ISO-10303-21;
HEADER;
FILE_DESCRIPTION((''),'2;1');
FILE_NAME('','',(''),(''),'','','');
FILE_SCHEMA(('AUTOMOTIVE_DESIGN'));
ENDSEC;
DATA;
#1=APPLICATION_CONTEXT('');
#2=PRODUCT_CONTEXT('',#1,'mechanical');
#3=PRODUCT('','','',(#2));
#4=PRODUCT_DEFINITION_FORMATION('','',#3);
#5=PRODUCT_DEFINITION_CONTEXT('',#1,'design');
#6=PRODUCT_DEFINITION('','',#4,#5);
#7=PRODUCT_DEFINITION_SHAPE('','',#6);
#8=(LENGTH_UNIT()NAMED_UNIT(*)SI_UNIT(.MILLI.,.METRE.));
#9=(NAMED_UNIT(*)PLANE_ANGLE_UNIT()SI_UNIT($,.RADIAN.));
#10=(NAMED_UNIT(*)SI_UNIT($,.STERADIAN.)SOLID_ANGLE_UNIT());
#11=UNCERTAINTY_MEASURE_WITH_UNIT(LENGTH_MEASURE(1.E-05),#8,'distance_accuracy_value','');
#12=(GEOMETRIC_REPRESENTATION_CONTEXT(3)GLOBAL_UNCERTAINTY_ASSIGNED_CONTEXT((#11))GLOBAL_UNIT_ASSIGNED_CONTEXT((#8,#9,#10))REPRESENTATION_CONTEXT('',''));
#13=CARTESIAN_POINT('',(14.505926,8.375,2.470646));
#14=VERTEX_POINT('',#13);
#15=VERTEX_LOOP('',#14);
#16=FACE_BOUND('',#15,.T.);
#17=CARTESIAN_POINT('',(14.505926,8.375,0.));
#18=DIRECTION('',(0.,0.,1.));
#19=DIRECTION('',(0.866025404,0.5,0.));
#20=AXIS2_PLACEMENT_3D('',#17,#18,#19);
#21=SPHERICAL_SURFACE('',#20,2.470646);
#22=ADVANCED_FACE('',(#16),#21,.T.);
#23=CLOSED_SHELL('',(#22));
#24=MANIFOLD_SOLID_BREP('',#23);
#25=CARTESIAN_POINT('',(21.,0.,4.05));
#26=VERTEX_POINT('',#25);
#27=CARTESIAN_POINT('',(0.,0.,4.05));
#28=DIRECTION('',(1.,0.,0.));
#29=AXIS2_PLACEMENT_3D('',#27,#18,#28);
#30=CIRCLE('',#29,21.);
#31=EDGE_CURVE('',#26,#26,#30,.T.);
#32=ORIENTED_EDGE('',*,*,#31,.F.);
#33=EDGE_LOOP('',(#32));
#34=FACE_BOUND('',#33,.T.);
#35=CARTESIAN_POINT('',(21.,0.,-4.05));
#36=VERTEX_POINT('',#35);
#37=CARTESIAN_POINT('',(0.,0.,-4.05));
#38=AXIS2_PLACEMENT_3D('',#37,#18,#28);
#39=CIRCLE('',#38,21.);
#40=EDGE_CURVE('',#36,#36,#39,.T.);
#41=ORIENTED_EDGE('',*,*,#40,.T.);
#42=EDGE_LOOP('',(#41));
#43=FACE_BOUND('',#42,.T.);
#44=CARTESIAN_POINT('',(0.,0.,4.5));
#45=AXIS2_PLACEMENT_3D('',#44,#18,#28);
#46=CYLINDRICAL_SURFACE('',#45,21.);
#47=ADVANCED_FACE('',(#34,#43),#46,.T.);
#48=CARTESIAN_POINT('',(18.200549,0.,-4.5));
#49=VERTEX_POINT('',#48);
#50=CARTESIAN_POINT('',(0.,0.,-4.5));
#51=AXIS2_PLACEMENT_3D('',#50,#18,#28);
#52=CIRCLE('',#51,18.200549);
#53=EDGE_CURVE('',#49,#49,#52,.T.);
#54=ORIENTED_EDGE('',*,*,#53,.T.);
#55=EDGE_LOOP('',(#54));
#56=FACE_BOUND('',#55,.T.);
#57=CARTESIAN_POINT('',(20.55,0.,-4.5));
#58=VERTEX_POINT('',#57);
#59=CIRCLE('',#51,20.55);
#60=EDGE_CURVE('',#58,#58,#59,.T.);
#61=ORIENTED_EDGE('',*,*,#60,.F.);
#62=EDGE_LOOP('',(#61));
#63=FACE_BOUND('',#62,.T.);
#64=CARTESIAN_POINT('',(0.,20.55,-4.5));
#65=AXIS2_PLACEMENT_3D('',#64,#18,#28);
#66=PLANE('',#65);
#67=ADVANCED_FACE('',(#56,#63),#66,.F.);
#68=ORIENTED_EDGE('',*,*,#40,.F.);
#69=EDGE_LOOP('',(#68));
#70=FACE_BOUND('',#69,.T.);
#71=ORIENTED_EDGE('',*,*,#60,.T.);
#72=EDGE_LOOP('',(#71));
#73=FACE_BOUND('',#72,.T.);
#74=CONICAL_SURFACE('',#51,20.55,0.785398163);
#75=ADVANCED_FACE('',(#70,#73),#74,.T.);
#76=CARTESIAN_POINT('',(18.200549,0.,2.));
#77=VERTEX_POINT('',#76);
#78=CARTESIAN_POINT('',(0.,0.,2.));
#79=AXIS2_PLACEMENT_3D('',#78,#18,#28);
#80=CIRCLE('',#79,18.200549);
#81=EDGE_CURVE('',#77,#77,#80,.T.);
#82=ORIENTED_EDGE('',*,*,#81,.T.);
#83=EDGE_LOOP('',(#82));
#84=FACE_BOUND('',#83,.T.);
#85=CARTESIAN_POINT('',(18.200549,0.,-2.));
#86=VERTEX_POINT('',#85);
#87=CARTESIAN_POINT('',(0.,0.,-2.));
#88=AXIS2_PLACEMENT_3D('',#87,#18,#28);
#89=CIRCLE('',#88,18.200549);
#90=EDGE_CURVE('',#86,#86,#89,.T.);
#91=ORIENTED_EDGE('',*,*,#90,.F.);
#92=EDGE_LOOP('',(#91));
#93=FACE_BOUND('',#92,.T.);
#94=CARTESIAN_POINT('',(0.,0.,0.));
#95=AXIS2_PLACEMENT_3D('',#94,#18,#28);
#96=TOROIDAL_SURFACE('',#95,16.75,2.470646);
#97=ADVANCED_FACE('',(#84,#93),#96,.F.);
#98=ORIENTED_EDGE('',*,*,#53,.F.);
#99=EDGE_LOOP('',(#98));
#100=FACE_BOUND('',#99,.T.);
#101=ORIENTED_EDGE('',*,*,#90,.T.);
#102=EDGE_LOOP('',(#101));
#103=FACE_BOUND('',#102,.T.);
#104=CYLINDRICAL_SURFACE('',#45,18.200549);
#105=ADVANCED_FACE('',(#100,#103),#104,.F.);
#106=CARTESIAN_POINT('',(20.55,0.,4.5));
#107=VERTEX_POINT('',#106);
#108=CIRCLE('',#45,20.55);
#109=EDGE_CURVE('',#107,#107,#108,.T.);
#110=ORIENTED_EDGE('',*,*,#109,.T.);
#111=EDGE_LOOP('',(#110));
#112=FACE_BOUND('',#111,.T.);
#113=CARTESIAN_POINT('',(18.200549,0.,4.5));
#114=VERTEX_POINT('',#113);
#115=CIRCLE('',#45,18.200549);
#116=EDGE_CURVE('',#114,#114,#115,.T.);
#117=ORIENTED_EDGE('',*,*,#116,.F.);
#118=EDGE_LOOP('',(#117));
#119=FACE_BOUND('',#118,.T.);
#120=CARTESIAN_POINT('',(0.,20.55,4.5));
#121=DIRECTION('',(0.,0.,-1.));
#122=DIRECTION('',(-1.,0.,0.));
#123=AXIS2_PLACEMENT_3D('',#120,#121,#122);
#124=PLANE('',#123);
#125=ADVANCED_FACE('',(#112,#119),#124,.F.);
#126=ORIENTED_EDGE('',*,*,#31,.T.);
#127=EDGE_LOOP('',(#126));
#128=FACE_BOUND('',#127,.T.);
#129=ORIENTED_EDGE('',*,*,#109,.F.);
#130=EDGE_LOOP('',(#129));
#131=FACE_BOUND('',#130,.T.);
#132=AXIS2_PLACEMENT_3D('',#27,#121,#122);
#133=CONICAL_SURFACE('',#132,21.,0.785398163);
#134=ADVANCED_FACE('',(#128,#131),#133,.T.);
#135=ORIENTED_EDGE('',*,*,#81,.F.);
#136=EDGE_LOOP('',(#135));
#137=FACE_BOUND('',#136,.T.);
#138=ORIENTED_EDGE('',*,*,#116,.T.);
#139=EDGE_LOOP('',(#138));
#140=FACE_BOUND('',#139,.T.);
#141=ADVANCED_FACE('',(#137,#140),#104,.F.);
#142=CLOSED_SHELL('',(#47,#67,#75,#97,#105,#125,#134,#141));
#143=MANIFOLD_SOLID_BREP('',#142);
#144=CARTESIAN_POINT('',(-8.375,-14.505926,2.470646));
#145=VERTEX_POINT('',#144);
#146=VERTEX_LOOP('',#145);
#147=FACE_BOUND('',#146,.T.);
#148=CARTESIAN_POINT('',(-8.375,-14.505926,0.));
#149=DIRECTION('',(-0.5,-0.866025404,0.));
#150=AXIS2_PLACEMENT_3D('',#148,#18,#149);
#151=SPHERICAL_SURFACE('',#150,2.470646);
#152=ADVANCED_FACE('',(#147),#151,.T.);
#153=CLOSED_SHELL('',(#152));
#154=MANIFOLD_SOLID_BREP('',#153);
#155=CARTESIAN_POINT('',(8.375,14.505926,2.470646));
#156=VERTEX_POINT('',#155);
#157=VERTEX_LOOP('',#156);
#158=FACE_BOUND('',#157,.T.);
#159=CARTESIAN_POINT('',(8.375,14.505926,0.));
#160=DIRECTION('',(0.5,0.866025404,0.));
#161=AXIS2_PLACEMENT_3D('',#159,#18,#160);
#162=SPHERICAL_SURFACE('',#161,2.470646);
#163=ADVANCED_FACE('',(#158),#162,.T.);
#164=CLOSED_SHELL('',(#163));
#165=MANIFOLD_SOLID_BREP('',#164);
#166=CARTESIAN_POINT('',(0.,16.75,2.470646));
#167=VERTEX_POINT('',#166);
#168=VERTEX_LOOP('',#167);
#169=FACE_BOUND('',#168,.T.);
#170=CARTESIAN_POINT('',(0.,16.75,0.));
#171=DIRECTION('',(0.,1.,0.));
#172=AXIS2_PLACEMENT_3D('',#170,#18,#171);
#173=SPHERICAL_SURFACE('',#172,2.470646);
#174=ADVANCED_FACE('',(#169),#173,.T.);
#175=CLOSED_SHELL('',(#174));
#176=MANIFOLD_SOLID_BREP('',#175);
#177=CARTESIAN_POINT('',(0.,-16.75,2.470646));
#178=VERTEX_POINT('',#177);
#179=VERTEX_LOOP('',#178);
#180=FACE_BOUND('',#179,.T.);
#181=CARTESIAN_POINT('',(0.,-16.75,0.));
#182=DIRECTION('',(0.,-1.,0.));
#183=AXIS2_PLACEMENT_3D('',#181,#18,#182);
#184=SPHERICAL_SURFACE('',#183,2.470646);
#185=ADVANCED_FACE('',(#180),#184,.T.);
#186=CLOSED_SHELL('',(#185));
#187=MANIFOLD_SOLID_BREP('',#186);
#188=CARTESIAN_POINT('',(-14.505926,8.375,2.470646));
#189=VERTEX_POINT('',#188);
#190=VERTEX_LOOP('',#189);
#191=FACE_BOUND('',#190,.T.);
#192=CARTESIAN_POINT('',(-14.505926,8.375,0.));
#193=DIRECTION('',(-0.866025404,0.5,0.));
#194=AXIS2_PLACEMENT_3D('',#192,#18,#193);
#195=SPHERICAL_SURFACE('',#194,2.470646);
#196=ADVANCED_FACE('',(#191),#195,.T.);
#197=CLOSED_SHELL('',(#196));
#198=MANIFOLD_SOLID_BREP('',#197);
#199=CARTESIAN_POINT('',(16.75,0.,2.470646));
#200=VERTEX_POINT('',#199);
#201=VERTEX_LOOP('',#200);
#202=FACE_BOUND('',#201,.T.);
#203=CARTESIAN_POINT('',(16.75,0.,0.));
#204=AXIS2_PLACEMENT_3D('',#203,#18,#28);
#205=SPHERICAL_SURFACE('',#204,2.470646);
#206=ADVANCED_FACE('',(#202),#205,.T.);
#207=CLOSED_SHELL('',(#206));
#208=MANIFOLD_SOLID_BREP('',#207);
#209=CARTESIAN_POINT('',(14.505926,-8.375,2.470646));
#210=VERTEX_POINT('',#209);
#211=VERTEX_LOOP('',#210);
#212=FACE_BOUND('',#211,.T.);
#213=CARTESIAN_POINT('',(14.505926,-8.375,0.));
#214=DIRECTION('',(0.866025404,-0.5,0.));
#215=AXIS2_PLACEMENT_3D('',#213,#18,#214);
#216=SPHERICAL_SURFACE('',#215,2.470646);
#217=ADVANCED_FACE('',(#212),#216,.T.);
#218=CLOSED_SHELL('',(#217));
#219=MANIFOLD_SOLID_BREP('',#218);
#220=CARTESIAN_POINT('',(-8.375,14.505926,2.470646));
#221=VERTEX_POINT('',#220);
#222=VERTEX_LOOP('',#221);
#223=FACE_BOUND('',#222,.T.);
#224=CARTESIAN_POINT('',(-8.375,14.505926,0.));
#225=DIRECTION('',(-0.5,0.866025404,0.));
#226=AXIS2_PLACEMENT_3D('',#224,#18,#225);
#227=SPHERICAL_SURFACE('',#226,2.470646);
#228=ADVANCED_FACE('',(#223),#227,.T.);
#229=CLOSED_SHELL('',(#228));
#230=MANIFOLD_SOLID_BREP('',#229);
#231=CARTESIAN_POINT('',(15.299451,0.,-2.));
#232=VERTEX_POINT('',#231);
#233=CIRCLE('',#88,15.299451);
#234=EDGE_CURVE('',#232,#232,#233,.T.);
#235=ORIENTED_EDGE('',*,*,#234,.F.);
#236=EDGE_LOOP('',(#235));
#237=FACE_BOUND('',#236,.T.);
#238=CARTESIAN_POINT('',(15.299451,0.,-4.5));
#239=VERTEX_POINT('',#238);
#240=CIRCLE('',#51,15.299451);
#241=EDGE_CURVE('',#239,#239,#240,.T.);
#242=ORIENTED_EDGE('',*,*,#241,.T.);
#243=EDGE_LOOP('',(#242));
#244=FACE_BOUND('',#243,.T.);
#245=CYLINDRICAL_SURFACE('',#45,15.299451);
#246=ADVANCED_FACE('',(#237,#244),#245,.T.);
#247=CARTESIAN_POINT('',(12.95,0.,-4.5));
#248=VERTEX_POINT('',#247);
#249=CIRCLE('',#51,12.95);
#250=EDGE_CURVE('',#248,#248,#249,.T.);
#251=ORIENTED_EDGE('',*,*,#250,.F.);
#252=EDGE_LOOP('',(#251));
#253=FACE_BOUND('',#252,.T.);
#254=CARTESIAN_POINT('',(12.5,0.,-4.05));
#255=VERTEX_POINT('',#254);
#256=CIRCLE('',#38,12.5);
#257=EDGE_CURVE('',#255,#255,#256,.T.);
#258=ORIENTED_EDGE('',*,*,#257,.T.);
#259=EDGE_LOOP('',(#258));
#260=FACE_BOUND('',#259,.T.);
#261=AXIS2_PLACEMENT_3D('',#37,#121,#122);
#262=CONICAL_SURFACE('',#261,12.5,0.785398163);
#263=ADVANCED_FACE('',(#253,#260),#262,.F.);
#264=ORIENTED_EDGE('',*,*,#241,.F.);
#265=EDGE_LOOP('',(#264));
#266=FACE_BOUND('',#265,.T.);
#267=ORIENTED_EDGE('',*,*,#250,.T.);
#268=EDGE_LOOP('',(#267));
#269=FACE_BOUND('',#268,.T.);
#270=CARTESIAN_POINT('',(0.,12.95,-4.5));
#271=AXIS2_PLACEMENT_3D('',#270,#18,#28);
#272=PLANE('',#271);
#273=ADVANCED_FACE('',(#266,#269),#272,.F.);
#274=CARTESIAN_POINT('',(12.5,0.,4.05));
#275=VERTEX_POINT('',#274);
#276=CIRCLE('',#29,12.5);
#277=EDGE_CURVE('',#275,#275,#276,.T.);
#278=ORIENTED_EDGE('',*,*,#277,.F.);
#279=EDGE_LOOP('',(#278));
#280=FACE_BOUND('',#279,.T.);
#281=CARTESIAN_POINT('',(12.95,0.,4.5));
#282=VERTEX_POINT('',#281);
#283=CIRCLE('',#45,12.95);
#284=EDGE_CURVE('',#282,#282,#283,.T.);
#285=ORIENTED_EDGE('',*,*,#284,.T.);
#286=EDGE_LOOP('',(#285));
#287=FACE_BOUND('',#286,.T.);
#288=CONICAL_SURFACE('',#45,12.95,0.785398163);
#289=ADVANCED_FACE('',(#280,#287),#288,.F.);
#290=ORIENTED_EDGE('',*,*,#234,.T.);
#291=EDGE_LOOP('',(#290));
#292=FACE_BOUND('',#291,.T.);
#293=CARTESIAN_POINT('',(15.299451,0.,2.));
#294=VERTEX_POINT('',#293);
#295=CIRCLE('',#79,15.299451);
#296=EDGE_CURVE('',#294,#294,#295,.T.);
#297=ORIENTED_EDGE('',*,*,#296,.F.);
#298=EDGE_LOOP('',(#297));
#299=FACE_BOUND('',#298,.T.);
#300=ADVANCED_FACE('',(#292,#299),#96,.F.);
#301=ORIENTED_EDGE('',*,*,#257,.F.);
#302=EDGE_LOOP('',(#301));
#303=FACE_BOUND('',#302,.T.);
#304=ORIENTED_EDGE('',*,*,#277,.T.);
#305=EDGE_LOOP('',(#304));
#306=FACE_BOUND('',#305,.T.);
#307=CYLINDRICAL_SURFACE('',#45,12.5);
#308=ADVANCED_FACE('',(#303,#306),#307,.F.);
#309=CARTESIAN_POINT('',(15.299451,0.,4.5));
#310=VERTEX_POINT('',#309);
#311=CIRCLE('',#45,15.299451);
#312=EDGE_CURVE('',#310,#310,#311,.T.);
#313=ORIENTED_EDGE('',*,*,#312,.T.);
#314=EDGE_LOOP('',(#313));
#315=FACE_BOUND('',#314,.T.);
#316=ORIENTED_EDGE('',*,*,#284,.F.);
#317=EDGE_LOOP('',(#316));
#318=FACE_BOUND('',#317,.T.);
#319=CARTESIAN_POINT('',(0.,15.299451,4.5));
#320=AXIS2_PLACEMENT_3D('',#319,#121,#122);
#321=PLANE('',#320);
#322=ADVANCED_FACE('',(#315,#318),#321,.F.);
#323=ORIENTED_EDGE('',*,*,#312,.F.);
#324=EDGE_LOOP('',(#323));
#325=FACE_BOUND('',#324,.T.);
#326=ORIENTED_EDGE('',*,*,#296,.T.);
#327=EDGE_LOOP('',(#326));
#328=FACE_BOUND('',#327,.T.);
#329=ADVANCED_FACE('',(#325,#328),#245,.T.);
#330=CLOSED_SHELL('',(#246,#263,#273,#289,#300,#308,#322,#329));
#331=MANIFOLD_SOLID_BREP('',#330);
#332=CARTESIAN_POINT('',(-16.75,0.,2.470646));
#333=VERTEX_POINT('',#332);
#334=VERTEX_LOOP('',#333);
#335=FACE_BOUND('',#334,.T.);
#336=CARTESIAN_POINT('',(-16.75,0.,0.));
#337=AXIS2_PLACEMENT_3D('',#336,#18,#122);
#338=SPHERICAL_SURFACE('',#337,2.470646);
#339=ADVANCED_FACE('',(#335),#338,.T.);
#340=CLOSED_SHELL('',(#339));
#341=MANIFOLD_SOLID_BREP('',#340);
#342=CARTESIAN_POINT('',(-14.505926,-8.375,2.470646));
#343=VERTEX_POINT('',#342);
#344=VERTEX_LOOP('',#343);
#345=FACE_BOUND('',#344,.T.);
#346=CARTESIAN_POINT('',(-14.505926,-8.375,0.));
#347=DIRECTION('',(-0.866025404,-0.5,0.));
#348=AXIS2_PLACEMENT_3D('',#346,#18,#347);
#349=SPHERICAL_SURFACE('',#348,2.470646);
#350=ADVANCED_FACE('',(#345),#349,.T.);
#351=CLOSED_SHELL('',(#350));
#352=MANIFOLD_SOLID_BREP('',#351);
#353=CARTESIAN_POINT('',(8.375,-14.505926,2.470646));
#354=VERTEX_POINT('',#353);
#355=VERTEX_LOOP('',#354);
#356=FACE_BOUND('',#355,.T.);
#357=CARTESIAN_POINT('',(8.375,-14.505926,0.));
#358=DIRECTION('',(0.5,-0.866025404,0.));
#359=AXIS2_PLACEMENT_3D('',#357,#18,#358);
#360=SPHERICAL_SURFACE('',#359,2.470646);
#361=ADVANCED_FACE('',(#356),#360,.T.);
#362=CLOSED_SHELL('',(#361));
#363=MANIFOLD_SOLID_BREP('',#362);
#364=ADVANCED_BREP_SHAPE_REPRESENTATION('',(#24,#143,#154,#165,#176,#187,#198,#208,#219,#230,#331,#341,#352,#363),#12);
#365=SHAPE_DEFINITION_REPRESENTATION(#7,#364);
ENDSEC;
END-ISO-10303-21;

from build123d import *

# Parameters (mm, degrees)
CIRPATTERN1_COUNT = 12


with BuildPart() as part:
    # Sketch1 → Revolve1 (revolve)
    with BuildSketch(Plane(origin=(0, 0, 0), x_dir=(0, 0, -1), z_dir=(1, 0, 0))):
        with BuildLine():
            Line((4.05, 21), (-4.05, 21))
            Line((-4.05, 21), (-4.5, 20.55))
            Line((-4.5, 20.55), (-4.5, 18.200549451))
            Line((-4.5, 18.200549451), (-2, 18.200549451))
            ThreePointArc((-2, 18.200549451), (0, 19.220646415), (2, 18.200549451))
            Line((2, 18.200549451), (4.5, 18.200549451))
            Line((4.5, 18.200549451), (4.5, 20.55))
            Line((4.5, 20.55), (4.05, 21))
        make_face()
    revolve(axis=Axis((0, 0, 4.5), (0, 0, -1)))


with BuildPart() as body_2:
    # Sketch3 → Revolve3 (revolve)
    with BuildSketch(Plane(origin=(0, 0, 0), x_dir=(0, 0, -1), z_dir=(1, 0, 0))):
        with BuildLine():
            Line((-4.5, 15.299450549), (-2, 15.299450549))
            ThreePointArc((-2, 15.299450549), (0, 14.279353585), (2, 15.299450549))
            Line((2, 15.299450549), (4.5, 15.299450549))
            Line((4.5, 15.299450549), (4.5, 12.95))
            Line((4.5, 12.95), (4.05, 12.5))
            Line((4.05, 12.5), (-4.05, 12.5))
            Line((-4.05, 12.5), (-4.5, 12.95))
            Line((-4.5, 12.95), (-4.5, 15.299450549))
        make_face()
    revolve(axis=Axis((0, 0, 4.5), (0, 0, -1)))


with BuildPart() as body_3:
    # Sketch4 → Revolve4 (revolve)
    with BuildSketch(Plane(origin=(0, 0, 0), x_dir=(0, 0, -1), z_dir=(1, 0, 0))):
        with BuildLine():
            Line((-2.470646415, 16.75), (2.470646415, 16.75))
            ThreePointArc((2.470646415, 16.75), (0, 19.220646415), (-2.470646415, 16.75))
        make_face()
    revolve(axis=Axis((0, 16.75, 2.470646415), (0, 0, -1)))


with BuildPart() as cirpattern1_1:
    # CirPattern1: pattern copy
    add(body_3.part.rotate(Axis((0, 0, -4.5), (0, 0, 1)), 1 * 360 / CIRPATTERN1_COUNT))


with BuildPart() as cirpattern1_2:
    # CirPattern1: pattern copy
    add(body_3.part.rotate(Axis((0, 0, -4.5), (0, 0, 1)), 2 * 360 / CIRPATTERN1_COUNT))


with BuildPart() as cirpattern1_3:
    # CirPattern1: pattern copy
    add(body_3.part.rotate(Axis((0, 0, -4.5), (0, 0, 1)), 3 * 360 / CIRPATTERN1_COUNT))


with BuildPart() as cirpattern1_4:
    # CirPattern1: pattern copy
    add(body_3.part.rotate(Axis((0, 0, -4.5), (0, 0, 1)), 4 * 360 / CIRPATTERN1_COUNT))


with BuildPart() as cirpattern1_5:
    # CirPattern1: pattern copy
    add(body_3.part.rotate(Axis((0, 0, -4.5), (0, 0, 1)), 5 * 360 / CIRPATTERN1_COUNT))


with BuildPart() as cirpattern1_6:
    # CirPattern1: pattern copy
    add(body_3.part.rotate(Axis((0, 0, -4.5), (0, 0, 1)), 6 * 360 / CIRPATTERN1_COUNT))


with BuildPart() as cirpattern1_7:
    # CirPattern1: pattern copy
    add(body_3.part.rotate(Axis((0, 0, -4.5), (0, 0, 1)), 7 * 360 / CIRPATTERN1_COUNT))


with BuildPart() as cirpattern1_8:
    # CirPattern1: pattern copy
    add(body_3.part.rotate(Axis((0, 0, -4.5), (0, 0, 1)), 8 * 360 / CIRPATTERN1_COUNT))


with BuildPart() as cirpattern1_9:
    # CirPattern1: pattern copy
    add(body_3.part.rotate(Axis((0, 0, -4.5), (0, 0, 1)), 9 * 360 / CIRPATTERN1_COUNT))


with BuildPart() as cirpattern1_10:
    # CirPattern1: pattern copy
    add(body_3.part.rotate(Axis((0, 0, -4.5), (0, 0, 1)), 10 * 360 / CIRPATTERN1_COUNT))


with BuildPart() as cirpattern1_11:
    # CirPattern1: pattern copy
    add(body_3.part.rotate(Axis((0, 0, -4.5), (0, 0, 1)), 11 * 360 / CIRPATTERN1_COUNT))


solid = Compound([part.part, body_2.part, body_3.part, cirpattern1_1.part, cirpattern1_2.part, cirpattern1_3.part, cirpattern1_4.part, cirpattern1_5.part, cirpattern1_6.part, cirpattern1_7.part, cirpattern1_8.part, cirpattern1_9.part, cirpattern1_10.part, cirpattern1_11.part])
